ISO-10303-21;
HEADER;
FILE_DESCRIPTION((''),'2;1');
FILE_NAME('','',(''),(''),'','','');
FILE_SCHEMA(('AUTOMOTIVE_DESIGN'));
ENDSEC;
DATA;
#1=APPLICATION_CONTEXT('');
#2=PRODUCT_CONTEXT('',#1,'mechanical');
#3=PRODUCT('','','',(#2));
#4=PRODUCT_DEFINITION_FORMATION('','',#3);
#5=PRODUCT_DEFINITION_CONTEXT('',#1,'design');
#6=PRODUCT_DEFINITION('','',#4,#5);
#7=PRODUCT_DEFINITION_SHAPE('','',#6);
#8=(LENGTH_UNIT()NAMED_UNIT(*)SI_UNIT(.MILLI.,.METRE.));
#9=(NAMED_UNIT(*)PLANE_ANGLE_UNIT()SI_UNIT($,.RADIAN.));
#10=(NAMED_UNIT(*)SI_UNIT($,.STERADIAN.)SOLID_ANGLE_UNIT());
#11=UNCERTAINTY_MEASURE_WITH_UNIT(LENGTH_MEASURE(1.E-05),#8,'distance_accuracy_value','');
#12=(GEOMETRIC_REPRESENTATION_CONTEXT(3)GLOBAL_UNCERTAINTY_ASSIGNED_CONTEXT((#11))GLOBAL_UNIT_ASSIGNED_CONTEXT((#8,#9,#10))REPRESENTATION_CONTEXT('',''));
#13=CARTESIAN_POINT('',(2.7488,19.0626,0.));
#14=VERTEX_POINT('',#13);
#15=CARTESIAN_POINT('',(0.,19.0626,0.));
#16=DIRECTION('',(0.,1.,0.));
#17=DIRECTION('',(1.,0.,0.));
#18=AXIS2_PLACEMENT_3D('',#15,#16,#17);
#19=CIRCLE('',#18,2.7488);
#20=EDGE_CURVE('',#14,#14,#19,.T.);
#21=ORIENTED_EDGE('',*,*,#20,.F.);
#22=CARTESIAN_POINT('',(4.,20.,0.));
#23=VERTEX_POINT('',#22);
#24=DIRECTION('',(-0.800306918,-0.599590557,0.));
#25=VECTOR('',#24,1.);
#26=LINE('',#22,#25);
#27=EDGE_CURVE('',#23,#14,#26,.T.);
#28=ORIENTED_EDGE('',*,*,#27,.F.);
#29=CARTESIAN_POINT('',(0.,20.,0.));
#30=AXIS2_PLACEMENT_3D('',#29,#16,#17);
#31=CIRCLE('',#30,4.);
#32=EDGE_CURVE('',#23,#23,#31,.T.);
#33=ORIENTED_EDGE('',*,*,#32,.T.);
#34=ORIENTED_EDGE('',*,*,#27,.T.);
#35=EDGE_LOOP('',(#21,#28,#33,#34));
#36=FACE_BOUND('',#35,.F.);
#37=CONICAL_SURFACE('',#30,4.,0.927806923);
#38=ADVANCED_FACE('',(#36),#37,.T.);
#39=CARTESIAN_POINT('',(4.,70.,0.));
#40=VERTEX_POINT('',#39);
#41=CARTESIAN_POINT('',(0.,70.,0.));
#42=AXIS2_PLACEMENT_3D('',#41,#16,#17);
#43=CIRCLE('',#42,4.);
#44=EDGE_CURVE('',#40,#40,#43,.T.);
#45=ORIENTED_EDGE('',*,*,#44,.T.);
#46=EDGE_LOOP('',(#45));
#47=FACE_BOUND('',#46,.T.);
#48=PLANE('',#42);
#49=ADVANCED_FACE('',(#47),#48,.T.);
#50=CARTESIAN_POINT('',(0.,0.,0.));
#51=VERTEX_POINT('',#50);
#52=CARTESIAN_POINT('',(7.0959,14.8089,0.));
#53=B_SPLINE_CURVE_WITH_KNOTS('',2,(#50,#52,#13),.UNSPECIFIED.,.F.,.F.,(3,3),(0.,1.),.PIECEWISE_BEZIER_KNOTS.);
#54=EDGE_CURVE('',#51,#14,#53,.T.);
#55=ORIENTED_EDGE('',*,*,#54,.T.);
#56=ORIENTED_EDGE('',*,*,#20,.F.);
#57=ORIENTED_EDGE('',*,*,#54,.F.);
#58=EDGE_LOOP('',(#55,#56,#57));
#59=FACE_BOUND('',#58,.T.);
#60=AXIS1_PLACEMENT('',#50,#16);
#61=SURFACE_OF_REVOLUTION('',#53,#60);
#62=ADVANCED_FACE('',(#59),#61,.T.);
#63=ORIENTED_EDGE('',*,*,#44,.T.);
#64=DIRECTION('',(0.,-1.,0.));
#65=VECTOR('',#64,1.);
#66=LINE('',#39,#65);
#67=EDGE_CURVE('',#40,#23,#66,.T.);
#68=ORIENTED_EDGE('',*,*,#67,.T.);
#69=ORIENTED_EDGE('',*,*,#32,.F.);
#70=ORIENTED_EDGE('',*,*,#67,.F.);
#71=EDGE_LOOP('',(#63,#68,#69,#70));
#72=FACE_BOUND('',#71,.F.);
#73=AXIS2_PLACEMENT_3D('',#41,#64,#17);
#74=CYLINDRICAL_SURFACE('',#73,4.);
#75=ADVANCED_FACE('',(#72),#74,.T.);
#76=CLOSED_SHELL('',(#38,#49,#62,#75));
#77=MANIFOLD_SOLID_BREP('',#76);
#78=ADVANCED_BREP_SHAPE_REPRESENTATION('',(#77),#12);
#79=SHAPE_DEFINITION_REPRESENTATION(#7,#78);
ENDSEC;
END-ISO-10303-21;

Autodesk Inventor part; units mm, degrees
ref_plane "YZ Plane" through (0, 0, 0) normal (1, 0, 0) x (0, 1, 0)
ref_plane "XZ Plane" through (0, 0, 0) normal (0, 1, 0) x (-1, 0, 0)
ref_plane "XY Plane" through (0, 0, 0) normal (0, 0, 1) x (1, 0, 0)
sketch "Sketch1" plane through (0, 0, 0) normal (0, 0, 1) x (1, 0, 0)
  line L0 (0, 0) -> (0, 200)
  line L1 (4, 70) -> (4, 20)
  spline S0 degree 2 poles (0, 0) (7.0959, 14.8089) (2.7488, 19.0626) knots 0 0 0 1 1 1
  line L2 (4, 20) -> (2.7488, 19.0626)
  line L3 (4, 70) -> (0, 70)
  point P0 (4.3931, 14.7126)
  dimension "d2" = 8
  dimension "d3" = 50
  dimension "d4" = 20
revolve "Revolution1" add sketch "Sketch1" angle 360 about axis through (0, 0, 0) along (0, 1, 0)
properties part number "brush - cut"
